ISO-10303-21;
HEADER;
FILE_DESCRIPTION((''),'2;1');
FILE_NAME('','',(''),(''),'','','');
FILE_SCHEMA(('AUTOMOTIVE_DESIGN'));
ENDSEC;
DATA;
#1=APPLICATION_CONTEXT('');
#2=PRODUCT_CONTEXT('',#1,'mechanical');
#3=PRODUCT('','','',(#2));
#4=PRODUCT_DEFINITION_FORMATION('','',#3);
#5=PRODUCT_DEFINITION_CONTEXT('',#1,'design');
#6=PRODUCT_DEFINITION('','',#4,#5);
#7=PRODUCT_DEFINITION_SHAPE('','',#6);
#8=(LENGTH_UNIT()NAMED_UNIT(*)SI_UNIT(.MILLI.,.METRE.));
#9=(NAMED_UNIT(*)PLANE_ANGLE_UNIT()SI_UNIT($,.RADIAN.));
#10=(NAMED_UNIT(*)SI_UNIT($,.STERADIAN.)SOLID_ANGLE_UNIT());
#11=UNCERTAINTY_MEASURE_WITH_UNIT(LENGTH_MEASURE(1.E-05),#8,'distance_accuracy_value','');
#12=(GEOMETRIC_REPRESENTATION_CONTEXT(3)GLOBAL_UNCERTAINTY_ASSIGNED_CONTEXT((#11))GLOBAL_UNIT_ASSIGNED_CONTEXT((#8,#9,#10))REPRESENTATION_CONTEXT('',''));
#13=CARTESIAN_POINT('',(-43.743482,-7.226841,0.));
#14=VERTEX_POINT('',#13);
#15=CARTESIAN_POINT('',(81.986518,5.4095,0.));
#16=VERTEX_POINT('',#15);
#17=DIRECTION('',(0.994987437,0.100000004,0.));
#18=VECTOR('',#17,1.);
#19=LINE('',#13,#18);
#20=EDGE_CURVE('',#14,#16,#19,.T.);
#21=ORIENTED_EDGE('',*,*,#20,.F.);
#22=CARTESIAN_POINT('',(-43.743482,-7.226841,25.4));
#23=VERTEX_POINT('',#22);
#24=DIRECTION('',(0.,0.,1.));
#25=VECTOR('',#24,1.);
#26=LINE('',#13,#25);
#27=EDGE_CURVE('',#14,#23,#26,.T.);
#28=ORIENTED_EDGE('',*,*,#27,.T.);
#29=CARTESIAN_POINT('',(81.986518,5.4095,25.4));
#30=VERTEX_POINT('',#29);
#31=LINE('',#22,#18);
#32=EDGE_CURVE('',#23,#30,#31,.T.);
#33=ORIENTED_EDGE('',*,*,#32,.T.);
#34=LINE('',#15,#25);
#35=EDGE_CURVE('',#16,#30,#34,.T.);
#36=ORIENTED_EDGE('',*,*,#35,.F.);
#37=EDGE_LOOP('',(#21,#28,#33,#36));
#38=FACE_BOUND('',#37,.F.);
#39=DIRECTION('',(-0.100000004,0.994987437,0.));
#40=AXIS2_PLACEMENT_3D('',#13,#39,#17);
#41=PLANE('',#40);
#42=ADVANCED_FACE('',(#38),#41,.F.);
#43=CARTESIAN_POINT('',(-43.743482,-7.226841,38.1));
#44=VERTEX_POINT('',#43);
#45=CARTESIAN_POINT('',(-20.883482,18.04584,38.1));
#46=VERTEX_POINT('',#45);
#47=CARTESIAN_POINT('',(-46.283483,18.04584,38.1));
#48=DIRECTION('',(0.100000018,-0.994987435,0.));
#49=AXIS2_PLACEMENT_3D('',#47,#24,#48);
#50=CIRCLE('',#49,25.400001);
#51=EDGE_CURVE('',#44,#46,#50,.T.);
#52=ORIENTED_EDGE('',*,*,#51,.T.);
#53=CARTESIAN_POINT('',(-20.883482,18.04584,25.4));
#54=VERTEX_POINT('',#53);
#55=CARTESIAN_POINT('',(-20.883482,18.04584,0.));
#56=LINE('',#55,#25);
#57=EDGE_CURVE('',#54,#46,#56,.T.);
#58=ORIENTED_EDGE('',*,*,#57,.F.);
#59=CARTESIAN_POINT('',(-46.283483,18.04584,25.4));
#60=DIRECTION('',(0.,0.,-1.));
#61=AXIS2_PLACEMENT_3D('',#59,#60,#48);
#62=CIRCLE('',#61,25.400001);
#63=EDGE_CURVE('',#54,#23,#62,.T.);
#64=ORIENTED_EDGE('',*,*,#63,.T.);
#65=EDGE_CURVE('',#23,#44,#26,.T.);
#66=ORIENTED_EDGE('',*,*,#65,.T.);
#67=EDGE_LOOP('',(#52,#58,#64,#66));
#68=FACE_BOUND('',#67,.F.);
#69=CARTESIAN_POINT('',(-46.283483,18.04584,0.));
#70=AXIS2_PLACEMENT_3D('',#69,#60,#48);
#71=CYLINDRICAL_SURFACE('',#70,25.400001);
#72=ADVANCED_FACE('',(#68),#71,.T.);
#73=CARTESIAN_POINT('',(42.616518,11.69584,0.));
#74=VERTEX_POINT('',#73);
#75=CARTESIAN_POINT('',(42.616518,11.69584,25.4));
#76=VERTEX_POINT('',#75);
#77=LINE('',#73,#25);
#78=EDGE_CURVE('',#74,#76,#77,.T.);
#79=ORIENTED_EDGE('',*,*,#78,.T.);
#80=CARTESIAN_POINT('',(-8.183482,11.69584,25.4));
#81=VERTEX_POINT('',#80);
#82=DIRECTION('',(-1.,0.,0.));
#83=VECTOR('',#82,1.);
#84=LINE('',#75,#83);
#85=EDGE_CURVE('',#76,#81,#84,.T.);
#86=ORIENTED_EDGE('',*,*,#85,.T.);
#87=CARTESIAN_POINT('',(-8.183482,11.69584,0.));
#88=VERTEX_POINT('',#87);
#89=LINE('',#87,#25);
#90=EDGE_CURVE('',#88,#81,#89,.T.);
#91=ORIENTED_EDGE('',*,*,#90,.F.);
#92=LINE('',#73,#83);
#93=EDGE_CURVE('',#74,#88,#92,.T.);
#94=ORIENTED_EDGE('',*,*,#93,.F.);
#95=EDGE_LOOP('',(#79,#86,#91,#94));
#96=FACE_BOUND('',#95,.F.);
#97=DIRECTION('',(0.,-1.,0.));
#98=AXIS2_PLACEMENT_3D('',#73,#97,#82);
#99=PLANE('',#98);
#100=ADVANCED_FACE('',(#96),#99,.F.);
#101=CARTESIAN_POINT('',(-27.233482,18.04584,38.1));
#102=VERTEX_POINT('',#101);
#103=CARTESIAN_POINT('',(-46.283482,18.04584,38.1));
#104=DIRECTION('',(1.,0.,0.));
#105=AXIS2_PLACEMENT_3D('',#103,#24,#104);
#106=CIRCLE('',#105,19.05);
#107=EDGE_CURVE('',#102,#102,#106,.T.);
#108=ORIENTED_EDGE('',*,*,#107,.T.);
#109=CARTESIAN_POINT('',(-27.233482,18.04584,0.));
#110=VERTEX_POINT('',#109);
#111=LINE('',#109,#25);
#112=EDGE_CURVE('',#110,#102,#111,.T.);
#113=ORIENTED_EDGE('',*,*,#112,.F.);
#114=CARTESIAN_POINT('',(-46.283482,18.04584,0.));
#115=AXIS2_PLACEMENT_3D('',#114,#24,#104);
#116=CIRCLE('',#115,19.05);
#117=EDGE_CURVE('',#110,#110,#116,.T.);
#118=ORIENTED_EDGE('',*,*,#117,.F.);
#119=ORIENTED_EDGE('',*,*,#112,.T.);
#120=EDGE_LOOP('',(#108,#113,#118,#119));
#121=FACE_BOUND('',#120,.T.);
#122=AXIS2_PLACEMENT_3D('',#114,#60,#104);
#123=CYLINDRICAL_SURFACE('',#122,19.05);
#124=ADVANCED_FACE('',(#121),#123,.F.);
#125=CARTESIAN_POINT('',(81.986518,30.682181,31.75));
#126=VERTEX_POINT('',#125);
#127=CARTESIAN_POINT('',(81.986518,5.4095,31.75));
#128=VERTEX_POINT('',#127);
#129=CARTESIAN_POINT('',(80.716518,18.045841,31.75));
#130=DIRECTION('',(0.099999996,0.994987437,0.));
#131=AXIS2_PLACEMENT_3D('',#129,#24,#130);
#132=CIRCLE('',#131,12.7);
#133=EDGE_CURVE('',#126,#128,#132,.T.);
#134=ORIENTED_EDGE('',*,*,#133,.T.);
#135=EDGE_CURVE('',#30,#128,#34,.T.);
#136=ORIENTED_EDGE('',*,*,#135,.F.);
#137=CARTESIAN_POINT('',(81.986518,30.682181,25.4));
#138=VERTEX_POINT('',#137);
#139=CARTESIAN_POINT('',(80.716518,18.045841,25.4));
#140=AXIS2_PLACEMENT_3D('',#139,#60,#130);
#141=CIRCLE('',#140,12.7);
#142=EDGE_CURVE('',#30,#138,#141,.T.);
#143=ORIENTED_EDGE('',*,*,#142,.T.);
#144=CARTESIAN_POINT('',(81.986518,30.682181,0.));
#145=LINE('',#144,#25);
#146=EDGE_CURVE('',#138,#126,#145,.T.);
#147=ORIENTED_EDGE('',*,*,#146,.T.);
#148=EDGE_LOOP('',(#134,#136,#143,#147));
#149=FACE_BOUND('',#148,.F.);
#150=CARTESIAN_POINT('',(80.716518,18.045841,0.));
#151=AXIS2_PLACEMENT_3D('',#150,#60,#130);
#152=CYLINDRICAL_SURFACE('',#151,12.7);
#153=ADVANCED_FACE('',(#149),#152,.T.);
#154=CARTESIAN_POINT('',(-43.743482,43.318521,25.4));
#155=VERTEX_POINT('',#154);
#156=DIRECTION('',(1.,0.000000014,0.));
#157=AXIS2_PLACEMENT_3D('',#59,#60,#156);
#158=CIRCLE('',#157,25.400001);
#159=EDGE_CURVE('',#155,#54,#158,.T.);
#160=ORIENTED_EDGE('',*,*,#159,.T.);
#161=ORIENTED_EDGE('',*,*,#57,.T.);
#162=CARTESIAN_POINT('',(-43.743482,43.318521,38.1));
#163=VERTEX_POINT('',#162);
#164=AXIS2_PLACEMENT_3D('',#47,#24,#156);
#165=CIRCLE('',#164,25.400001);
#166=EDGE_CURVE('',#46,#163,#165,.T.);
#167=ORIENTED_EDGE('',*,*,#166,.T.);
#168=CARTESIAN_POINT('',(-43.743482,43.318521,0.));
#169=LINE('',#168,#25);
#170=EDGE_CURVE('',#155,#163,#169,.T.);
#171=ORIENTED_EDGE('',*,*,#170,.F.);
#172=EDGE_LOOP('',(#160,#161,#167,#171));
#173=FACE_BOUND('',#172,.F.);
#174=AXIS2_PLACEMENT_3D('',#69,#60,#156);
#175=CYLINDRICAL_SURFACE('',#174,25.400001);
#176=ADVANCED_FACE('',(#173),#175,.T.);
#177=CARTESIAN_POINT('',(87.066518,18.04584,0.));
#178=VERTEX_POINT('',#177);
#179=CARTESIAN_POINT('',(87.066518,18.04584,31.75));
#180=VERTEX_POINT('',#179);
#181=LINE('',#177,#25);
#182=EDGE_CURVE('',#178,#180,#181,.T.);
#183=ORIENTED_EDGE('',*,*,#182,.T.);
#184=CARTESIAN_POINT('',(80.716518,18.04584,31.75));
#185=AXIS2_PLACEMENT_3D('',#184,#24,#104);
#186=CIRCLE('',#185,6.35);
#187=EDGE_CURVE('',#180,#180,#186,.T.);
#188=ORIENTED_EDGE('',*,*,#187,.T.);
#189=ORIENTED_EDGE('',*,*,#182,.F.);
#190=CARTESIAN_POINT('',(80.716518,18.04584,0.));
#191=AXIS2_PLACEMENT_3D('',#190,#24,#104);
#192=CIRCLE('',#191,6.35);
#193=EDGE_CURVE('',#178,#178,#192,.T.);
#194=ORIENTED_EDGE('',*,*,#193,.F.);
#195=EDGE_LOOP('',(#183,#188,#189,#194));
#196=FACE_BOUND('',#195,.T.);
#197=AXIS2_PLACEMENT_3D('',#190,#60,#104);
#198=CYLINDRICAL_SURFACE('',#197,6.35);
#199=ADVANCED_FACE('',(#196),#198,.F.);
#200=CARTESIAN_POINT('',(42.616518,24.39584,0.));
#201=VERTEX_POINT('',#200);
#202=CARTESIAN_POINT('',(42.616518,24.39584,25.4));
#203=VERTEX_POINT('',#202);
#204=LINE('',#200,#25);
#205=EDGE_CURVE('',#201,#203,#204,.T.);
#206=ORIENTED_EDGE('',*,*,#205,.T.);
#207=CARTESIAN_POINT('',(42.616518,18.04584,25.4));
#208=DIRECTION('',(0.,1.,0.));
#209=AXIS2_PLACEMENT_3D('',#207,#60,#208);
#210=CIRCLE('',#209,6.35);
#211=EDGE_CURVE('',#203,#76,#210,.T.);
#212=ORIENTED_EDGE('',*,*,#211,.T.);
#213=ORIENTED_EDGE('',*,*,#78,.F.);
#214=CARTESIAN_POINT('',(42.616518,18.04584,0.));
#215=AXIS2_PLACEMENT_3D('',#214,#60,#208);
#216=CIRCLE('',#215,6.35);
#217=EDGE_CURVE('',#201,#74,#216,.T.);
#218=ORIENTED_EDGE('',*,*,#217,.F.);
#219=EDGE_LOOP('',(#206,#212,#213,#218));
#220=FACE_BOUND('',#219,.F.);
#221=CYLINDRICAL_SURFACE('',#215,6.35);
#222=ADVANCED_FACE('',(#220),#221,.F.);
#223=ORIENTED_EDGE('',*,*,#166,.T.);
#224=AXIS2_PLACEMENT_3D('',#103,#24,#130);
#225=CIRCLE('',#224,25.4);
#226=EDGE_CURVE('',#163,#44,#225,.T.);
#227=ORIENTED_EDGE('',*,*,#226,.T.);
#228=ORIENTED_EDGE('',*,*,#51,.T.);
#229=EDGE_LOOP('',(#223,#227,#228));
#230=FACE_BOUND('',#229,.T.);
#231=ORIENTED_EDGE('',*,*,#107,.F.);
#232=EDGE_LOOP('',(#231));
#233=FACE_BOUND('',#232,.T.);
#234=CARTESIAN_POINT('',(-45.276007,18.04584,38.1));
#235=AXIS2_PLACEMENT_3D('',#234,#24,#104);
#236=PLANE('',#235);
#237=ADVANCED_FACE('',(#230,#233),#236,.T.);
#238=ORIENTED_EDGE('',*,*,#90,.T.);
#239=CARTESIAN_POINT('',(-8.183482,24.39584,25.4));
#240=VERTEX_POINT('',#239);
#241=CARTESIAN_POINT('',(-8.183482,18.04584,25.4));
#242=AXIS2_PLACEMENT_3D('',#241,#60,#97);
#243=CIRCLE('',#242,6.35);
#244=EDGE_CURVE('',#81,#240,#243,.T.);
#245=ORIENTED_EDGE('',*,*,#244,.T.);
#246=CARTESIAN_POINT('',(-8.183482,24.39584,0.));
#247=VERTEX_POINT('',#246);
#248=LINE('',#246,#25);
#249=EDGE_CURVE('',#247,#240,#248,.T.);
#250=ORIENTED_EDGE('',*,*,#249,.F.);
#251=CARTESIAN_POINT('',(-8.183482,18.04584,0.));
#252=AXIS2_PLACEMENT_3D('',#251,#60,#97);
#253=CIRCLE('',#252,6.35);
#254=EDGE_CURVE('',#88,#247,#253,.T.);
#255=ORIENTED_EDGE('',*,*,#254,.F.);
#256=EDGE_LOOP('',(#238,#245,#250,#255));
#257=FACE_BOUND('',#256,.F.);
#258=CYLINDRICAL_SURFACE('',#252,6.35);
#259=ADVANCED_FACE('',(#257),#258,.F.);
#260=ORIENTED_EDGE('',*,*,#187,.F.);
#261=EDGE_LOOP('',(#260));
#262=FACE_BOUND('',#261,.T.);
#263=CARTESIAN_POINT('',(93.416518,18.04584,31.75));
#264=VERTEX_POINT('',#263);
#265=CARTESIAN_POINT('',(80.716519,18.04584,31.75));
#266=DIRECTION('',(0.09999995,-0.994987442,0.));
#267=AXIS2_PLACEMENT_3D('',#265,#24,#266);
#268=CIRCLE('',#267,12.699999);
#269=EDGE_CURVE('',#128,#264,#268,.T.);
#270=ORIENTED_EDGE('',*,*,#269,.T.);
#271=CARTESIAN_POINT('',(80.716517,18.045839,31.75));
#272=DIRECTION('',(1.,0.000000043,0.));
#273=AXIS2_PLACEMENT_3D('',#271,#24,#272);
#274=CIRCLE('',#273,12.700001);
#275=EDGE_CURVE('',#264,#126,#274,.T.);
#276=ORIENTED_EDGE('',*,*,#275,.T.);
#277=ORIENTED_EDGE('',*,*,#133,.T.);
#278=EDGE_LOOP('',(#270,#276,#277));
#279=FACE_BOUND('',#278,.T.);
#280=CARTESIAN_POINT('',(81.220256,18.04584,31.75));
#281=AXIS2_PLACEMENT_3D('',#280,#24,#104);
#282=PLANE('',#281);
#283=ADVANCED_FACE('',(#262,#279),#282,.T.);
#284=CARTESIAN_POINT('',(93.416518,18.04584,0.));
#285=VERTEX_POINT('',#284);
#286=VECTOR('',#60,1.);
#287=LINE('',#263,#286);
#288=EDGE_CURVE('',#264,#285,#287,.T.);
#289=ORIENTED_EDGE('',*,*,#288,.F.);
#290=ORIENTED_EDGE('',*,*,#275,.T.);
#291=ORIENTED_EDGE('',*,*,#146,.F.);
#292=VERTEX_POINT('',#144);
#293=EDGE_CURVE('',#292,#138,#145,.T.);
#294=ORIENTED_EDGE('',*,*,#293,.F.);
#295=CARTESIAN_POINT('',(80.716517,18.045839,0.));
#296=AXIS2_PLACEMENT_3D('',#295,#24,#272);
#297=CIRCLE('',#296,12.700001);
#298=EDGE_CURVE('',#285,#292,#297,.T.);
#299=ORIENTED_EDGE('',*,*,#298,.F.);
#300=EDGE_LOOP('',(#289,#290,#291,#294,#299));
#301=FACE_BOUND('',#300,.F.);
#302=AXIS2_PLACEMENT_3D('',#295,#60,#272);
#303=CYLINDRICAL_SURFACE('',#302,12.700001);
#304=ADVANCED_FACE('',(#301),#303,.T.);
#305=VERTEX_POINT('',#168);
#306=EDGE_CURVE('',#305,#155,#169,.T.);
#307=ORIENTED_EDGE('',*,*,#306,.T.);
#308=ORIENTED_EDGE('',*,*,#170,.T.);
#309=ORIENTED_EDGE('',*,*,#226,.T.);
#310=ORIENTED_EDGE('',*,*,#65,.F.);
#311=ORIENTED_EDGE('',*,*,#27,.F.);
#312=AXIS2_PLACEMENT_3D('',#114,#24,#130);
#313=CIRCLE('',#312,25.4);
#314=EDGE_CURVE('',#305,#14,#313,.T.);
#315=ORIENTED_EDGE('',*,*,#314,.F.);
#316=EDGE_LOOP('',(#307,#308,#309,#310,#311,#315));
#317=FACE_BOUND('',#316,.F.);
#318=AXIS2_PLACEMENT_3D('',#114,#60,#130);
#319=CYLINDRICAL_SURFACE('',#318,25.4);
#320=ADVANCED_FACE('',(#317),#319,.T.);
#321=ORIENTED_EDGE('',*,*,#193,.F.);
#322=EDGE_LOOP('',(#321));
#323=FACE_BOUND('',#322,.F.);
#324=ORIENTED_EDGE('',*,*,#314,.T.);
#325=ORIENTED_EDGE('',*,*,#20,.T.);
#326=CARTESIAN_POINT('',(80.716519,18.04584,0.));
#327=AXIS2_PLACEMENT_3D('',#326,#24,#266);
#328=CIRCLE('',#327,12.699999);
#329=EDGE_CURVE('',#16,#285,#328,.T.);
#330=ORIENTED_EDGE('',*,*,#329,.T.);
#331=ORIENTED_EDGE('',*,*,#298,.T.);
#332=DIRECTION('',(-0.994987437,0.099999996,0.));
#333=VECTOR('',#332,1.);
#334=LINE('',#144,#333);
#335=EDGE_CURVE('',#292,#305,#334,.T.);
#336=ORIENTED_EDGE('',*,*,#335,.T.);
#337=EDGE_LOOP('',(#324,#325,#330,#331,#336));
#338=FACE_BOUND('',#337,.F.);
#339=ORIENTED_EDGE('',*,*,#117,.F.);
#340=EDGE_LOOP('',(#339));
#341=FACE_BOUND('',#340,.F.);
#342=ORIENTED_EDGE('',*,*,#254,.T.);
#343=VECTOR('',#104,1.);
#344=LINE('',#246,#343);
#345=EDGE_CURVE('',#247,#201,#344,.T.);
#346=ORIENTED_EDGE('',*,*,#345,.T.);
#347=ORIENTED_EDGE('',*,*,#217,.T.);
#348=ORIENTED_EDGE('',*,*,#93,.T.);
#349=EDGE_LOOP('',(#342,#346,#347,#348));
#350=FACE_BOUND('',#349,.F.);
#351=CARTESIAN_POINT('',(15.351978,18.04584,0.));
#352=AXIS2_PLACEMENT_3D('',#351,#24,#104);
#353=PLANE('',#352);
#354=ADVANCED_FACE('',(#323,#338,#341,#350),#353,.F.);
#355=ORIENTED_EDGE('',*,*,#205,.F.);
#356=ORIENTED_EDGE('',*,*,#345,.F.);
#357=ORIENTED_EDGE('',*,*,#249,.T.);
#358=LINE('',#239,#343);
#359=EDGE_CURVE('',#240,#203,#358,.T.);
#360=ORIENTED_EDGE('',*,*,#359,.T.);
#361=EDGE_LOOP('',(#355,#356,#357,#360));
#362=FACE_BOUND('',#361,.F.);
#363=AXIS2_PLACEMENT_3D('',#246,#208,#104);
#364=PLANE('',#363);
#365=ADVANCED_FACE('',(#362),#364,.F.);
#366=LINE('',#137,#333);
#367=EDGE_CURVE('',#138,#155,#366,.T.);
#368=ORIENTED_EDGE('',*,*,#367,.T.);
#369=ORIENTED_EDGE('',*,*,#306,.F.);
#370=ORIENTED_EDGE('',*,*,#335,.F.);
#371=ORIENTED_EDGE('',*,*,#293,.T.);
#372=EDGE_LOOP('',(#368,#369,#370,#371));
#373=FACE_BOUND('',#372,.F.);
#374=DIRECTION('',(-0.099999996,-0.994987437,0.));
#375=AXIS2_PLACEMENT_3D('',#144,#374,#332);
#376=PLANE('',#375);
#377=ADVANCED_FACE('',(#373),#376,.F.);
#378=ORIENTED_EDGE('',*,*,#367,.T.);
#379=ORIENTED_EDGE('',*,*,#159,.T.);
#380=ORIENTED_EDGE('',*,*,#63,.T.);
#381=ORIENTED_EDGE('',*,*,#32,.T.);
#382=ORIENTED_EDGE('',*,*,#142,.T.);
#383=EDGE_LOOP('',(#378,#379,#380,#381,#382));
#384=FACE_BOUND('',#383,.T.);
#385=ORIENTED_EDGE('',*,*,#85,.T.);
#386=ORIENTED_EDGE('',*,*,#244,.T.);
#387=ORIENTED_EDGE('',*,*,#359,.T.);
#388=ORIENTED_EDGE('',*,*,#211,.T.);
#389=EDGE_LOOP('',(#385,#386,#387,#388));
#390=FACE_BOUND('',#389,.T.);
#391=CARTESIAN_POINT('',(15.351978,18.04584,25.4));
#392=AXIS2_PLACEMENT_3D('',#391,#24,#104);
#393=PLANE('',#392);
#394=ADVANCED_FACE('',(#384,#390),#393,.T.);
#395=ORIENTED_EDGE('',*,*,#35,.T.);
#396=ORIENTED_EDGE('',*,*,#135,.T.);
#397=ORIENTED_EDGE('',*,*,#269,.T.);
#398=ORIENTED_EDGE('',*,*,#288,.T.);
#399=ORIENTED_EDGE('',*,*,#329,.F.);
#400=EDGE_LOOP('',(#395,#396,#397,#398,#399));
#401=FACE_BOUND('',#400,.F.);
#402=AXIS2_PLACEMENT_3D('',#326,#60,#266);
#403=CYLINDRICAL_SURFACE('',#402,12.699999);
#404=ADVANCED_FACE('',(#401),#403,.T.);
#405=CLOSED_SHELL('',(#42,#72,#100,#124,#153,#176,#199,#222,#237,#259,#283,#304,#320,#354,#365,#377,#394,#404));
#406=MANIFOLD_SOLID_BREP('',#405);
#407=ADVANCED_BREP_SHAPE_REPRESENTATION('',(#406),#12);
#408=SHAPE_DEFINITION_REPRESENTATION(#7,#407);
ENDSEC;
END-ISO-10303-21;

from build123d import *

# Parameters (mm, degrees)
F0_R     = 19.05
F0_R_2   = 6.35
F1_DEPTH = 25.4
F2_DEPTH = 38.1
F3_DEPTH = 31.75


with BuildPart() as f1:
    # F0 (on Top) → F1 (new body)
    with BuildSketch(Plane.XY):
        with BuildLine():
            ThreePointArc((-43.743482, 43.318521), (-27.446338, 35.084678), (-20.883482, 18.04584))
            ThreePointArc((-20.883482, 18.04584), (-27.446338, 1.007002), (-43.743482, -7.226841))
            Line((-43.743482, -7.226841), (81.986518, 5.4095))
            ThreePointArc((81.986518, 5.4095), (68.016518, 18.04584), (81.986518, 30.682181))
            Line((81.986518, 30.682181), (-43.743482, 43.318521))
        make_face()
        with BuildLine():
            ThreePointArc((-8.183482, 11.69584), (-14.533482, 18.04584), (-8.183482, 24.39584))
            Line((-8.183482, 24.39584), (42.616518, 24.39584))
            ThreePointArc((42.616518, 24.39584), (48.966518, 18.04584), (42.616518, 11.69584))
            Line((42.616518, 11.69584), (-8.183482, 11.69584))
        make_face(mode=Mode.SUBTRACT)
        with BuildLine():
            ThreePointArc((-43.743482, -7.226841), (-27.446338, 1.007002), (-20.883482, 18.04584))
            ThreePointArc((-20.883482, 18.04584), (-27.446338, 35.084678), (-43.743482, 43.318521))
            ThreePointArc((-43.743482, 43.318521), (-71.683482, 18.04584), (-43.743482, -7.226841))
        make_face()
        with Locations((-46.283482, 18.04584)):
            Circle(F0_R, mode=Mode.SUBTRACT)
        with BuildLine():
            ThreePointArc((93.416518, 18.04584), (90.13509, 26.565259), (81.986518, 30.682181))
            ThreePointArc((81.986518, 30.682181), (68.016518, 18.04584), (81.986518, 5.4095))
            ThreePointArc((81.986518, 5.4095), (90.13509, 9.526421), (93.416518, 18.04584))
        make_face()
        with Locations((80.716518, 18.04584)):
            Circle(F0_R_2, mode=Mode.SUBTRACT)
    extrude(amount=F1_DEPTH)

    # F0 (on Top) → F2 (join)
    with BuildSketch(Plane.XY):
        with BuildLine():
            ThreePointArc((-43.743482, -7.226841), (-27.446338, 1.007002), (-20.883482, 18.04584))
            ThreePointArc((-20.883482, 18.04584), (-27.446338, 35.084678), (-43.743482, 43.318521))
            ThreePointArc((-43.743482, 43.318521), (-71.683482, 18.04584), (-43.743482, -7.226841))
        make_face()
        with Locations((-46.283482, 18.04584)):
            Circle(F0_R, mode=Mode.SUBTRACT)
    extrude(amount=F2_DEPTH)

    # F0 (on Top) → F3 (join)
    with BuildSketch(Plane.XY):
        with BuildLine():
            ThreePointArc((93.416518, 18.04584), (90.13509, 26.565259), (81.986518, 30.682181))
            ThreePointArc((81.986518, 30.682181), (68.016518, 18.04584), (81.986518, 5.4095))
            ThreePointArc((81.986518, 5.4095), (90.13509, 9.526421), (93.416518, 18.04584))
        make_face()
        with Locations((80.716518, 18.04584)):
            Circle(F0_R_2, mode=Mode.SUBTRACT)
    extrude(amount=F3_DEPTH)


solid = f1.part
